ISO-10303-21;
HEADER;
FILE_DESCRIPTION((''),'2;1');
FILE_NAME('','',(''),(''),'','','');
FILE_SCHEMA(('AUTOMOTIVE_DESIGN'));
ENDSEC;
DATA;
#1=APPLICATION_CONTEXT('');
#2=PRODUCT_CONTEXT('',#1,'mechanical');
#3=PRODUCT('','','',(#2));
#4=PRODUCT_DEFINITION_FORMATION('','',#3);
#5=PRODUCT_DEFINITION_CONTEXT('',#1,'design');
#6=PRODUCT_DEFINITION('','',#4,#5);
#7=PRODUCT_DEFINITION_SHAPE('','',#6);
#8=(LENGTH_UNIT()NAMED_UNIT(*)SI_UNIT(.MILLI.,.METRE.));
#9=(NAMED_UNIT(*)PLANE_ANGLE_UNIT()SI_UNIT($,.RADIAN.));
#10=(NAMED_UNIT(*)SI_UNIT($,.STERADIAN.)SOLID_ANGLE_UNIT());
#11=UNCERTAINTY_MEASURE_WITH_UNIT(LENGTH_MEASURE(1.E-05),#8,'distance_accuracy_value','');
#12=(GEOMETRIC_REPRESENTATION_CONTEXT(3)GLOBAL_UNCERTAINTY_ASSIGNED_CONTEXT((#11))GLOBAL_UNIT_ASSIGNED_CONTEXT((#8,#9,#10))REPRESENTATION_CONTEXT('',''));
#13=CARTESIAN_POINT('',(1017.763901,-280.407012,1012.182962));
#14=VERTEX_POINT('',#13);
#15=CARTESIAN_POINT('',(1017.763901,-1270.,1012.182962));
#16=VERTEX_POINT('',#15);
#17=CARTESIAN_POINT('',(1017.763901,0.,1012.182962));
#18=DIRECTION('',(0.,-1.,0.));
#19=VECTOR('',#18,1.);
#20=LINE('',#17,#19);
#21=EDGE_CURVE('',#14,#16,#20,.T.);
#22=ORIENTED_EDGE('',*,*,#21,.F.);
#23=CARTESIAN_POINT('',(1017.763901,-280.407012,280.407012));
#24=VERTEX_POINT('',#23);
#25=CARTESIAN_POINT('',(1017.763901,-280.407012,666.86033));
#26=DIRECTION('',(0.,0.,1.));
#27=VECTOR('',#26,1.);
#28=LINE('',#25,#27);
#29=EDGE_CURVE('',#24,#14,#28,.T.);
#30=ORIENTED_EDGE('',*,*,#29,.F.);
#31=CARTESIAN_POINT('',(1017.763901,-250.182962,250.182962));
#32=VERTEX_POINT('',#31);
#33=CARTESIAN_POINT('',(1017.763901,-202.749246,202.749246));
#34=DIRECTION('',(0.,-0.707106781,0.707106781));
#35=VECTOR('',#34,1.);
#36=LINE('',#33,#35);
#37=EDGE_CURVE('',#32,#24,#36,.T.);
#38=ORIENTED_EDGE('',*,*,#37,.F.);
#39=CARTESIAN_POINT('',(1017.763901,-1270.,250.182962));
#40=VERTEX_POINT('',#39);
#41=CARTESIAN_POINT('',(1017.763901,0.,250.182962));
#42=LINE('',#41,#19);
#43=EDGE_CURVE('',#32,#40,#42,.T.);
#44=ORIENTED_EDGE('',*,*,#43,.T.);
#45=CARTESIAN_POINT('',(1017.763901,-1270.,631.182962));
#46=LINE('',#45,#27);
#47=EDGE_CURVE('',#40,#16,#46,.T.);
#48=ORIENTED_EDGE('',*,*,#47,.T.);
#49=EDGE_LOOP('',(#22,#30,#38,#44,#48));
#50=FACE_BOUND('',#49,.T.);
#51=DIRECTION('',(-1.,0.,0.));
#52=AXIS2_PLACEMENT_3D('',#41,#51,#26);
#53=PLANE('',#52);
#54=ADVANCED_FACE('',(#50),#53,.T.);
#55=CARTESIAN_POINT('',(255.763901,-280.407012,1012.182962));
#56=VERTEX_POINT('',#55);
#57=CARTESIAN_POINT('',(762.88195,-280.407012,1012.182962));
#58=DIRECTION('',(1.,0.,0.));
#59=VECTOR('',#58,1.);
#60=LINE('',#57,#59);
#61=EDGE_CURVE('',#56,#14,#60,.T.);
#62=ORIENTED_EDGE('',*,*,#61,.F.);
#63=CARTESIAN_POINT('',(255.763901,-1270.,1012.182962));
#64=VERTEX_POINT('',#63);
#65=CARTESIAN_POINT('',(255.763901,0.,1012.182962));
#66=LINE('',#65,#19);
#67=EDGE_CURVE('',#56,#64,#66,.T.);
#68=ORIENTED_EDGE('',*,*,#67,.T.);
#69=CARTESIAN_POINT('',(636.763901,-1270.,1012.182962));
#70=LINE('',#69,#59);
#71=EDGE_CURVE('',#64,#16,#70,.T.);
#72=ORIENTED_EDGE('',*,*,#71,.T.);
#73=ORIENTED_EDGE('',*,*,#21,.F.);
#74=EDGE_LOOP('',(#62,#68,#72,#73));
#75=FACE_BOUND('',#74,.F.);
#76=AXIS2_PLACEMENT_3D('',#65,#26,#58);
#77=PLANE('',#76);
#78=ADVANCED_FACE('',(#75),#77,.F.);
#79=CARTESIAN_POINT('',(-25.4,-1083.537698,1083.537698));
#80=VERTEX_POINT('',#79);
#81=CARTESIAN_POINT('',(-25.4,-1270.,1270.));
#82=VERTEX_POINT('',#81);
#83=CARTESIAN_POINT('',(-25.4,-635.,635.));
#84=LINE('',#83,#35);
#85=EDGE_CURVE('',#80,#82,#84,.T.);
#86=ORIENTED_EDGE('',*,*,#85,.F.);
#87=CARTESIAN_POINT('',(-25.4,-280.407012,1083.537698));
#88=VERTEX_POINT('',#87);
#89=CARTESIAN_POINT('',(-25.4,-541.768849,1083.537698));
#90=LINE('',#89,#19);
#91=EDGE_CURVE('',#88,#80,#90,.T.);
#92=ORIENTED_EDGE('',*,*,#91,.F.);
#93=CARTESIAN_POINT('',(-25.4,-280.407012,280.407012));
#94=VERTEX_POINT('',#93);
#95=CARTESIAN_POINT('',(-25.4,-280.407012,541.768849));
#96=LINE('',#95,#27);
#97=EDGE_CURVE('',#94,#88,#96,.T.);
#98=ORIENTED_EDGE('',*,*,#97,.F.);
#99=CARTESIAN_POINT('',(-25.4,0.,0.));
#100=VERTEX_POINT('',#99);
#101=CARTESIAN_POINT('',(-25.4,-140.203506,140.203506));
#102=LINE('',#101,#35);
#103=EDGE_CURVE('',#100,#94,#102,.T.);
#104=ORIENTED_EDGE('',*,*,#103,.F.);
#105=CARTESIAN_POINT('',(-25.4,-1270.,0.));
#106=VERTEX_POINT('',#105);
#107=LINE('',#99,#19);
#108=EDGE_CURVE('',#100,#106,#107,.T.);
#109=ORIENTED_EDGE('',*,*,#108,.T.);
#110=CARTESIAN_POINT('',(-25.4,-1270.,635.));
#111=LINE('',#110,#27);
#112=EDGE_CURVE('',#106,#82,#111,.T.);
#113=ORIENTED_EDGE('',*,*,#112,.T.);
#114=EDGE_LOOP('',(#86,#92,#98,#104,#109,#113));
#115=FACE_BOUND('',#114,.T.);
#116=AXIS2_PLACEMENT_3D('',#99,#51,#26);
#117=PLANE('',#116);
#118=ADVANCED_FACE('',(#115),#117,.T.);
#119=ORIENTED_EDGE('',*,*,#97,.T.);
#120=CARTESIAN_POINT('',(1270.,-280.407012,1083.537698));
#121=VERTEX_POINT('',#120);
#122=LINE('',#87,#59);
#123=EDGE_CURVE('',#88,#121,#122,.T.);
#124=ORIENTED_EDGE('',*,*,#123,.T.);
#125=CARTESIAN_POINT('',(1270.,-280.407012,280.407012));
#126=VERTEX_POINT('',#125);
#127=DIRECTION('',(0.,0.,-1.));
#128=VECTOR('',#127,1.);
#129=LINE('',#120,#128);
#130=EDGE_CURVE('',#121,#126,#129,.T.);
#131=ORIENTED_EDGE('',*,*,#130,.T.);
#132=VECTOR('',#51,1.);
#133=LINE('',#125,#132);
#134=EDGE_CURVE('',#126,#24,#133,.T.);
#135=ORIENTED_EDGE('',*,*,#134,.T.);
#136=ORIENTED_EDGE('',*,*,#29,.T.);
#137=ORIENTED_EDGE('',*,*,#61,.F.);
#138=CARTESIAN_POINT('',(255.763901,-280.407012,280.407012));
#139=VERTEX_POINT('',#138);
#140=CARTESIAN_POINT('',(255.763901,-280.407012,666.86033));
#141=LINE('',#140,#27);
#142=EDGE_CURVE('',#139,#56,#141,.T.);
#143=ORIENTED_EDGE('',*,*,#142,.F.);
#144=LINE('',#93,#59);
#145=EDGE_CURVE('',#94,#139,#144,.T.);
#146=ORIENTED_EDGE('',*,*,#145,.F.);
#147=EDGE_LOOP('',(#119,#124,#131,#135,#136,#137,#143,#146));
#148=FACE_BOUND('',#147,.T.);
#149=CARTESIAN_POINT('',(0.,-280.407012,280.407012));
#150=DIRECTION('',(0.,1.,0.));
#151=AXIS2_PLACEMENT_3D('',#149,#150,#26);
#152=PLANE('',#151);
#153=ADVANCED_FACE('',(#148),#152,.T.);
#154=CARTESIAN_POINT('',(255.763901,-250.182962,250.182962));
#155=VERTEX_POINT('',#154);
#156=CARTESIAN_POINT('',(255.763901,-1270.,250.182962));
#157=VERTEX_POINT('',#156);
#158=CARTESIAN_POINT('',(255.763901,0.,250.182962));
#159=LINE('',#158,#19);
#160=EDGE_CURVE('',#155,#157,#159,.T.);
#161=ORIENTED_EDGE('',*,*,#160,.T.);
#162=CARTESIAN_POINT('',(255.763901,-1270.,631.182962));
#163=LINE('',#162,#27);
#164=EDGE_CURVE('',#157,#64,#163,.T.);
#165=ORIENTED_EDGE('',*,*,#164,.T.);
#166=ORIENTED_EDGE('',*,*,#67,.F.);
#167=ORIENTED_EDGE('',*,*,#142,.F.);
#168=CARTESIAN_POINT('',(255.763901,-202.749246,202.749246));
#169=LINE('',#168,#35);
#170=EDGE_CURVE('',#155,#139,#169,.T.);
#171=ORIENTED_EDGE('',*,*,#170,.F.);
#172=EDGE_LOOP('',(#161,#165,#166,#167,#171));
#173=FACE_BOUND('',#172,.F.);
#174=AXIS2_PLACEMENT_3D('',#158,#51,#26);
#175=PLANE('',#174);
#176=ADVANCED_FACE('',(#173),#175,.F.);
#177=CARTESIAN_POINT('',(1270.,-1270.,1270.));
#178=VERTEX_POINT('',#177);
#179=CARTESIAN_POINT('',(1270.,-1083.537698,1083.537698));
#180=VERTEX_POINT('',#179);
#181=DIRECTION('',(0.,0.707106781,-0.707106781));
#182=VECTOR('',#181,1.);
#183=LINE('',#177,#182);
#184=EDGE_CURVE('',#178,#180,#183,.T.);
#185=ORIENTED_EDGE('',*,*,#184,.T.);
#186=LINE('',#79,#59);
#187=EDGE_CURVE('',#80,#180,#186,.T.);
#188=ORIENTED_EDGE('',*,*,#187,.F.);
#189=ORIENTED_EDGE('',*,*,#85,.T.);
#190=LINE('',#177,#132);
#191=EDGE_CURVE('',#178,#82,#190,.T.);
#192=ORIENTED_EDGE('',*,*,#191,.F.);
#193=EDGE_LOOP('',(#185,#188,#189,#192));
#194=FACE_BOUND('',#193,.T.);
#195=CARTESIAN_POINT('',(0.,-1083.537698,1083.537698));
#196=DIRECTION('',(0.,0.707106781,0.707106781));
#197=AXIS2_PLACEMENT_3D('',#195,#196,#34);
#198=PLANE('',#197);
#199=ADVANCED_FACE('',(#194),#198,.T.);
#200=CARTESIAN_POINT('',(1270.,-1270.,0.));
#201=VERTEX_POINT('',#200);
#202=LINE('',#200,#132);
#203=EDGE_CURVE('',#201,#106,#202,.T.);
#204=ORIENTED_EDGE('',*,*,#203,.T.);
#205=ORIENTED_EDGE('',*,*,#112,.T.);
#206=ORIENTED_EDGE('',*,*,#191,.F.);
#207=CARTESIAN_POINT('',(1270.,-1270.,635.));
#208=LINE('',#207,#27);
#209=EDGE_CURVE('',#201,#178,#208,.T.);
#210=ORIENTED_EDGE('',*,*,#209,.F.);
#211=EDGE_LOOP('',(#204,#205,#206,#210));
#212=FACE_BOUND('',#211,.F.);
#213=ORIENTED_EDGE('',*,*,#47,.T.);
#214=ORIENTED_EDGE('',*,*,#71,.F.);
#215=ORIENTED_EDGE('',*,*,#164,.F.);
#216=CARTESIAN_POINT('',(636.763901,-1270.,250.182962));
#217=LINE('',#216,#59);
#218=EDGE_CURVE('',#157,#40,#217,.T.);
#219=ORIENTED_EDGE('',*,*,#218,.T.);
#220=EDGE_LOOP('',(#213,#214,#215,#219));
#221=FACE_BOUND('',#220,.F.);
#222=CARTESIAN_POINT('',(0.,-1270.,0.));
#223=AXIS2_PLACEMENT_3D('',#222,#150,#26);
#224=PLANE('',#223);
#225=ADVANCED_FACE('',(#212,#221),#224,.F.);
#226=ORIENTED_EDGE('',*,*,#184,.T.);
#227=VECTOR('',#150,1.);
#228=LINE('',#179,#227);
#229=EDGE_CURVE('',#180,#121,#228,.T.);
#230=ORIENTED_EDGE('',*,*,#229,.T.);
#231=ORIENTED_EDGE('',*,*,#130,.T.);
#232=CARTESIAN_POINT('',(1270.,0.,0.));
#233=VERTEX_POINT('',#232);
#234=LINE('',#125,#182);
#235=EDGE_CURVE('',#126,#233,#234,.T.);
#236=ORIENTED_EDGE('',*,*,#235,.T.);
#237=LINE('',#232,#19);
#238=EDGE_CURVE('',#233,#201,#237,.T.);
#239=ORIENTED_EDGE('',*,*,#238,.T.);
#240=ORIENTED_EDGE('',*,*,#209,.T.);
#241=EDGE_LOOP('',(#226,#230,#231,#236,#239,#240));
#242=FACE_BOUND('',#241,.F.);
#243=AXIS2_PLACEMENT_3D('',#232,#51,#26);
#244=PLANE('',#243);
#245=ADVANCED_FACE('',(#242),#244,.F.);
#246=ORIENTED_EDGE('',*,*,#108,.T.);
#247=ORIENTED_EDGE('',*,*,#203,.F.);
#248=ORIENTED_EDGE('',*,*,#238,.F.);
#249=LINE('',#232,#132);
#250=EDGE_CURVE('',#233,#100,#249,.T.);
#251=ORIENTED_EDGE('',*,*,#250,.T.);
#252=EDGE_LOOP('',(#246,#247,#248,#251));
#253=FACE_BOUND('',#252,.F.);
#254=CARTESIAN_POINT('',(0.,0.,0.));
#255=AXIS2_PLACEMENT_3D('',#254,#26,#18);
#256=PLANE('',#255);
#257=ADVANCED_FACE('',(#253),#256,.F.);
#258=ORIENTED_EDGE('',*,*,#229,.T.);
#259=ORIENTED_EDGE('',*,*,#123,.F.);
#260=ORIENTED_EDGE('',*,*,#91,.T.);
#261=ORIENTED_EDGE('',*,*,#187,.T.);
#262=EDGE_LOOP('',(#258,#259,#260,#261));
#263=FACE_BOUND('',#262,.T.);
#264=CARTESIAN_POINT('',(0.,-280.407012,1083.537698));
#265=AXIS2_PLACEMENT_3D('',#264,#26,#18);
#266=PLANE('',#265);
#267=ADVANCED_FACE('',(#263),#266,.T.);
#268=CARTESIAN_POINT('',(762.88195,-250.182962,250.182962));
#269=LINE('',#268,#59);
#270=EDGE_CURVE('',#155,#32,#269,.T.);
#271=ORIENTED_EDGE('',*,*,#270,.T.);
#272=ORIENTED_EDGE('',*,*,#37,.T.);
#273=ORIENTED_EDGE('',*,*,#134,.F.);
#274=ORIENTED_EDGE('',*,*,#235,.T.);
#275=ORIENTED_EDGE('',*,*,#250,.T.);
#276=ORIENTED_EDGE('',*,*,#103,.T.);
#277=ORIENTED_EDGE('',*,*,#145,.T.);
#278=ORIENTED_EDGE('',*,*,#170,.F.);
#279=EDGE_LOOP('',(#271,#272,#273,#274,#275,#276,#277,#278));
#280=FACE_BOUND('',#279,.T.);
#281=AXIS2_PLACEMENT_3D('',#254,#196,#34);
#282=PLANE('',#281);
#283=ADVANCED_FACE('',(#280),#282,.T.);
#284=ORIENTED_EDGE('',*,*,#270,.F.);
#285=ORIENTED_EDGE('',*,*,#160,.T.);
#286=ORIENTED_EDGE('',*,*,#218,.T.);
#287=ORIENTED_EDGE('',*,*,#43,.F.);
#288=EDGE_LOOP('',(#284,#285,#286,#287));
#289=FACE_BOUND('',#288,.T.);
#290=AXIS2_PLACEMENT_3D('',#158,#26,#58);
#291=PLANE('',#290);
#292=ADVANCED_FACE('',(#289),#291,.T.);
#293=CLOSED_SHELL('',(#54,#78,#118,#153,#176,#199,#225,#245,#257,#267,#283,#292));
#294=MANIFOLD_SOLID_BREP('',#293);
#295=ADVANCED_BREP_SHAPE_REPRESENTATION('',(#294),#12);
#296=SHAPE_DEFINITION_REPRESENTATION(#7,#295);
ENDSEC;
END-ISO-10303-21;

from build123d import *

# Parameters (mm, degrees)
F0_W     = 1270
F0_H     = 1270
F0_W_2   = 762
F0_H_2   = 762
F1_DEPTH = 1270
F3_W     = 762
F3_H     = 762
F4_DEPTH = 12.7
F5_DEPTH = 1270.001
F6_DEPTH = 25.4


with BuildPart() as f1:
    # F0 (on Front) → F1 (new body)
    with BuildSketch(Plane.XZ):
        with Locations((635, 635)):
            Rectangle(F0_W, F0_H)
        with Locations((636.763900746, 631.1829624176)):
            Rectangle(F0_W_2, F0_H_2, mode=Mode.SUBTRACT)
    extrude(amount=F1_DEPTH)

    # F3 (on face) → F4 (cut, symmetric)
    with BuildSketch(Plane.XY.offset(1270)):
        with Locations((615.9371882677, -549.7496393476)):
            Rectangle(F3_W, F3_H)
    extrude(amount=F4_DEPTH, both=True, mode=Mode.SUBTRACT)

    # F2 (on face) → F5 (cut, through all)
    with BuildSketch(Plane.YZ.offset(1270)):
        Polygon((0, 1270), (-1270, 1270), (-1083.5376977921, 1083.5376977921), (-280.4070115089, 1083.5376977921), (-280.4070115089, 280.4070115089), (0, 0), align=None)
    extrude(amount=-F5_DEPTH, mode=Mode.SUBTRACT)

    # F6 (add): a face of the model
    f6_faces = [f1.faces().sort_by_distance(p)[0] for p in [
        (0, -761.3801568412, 535.4569952832),
    ]]
    extrude(f6_faces, amount=F6_DEPTH)


solid = f1.part
